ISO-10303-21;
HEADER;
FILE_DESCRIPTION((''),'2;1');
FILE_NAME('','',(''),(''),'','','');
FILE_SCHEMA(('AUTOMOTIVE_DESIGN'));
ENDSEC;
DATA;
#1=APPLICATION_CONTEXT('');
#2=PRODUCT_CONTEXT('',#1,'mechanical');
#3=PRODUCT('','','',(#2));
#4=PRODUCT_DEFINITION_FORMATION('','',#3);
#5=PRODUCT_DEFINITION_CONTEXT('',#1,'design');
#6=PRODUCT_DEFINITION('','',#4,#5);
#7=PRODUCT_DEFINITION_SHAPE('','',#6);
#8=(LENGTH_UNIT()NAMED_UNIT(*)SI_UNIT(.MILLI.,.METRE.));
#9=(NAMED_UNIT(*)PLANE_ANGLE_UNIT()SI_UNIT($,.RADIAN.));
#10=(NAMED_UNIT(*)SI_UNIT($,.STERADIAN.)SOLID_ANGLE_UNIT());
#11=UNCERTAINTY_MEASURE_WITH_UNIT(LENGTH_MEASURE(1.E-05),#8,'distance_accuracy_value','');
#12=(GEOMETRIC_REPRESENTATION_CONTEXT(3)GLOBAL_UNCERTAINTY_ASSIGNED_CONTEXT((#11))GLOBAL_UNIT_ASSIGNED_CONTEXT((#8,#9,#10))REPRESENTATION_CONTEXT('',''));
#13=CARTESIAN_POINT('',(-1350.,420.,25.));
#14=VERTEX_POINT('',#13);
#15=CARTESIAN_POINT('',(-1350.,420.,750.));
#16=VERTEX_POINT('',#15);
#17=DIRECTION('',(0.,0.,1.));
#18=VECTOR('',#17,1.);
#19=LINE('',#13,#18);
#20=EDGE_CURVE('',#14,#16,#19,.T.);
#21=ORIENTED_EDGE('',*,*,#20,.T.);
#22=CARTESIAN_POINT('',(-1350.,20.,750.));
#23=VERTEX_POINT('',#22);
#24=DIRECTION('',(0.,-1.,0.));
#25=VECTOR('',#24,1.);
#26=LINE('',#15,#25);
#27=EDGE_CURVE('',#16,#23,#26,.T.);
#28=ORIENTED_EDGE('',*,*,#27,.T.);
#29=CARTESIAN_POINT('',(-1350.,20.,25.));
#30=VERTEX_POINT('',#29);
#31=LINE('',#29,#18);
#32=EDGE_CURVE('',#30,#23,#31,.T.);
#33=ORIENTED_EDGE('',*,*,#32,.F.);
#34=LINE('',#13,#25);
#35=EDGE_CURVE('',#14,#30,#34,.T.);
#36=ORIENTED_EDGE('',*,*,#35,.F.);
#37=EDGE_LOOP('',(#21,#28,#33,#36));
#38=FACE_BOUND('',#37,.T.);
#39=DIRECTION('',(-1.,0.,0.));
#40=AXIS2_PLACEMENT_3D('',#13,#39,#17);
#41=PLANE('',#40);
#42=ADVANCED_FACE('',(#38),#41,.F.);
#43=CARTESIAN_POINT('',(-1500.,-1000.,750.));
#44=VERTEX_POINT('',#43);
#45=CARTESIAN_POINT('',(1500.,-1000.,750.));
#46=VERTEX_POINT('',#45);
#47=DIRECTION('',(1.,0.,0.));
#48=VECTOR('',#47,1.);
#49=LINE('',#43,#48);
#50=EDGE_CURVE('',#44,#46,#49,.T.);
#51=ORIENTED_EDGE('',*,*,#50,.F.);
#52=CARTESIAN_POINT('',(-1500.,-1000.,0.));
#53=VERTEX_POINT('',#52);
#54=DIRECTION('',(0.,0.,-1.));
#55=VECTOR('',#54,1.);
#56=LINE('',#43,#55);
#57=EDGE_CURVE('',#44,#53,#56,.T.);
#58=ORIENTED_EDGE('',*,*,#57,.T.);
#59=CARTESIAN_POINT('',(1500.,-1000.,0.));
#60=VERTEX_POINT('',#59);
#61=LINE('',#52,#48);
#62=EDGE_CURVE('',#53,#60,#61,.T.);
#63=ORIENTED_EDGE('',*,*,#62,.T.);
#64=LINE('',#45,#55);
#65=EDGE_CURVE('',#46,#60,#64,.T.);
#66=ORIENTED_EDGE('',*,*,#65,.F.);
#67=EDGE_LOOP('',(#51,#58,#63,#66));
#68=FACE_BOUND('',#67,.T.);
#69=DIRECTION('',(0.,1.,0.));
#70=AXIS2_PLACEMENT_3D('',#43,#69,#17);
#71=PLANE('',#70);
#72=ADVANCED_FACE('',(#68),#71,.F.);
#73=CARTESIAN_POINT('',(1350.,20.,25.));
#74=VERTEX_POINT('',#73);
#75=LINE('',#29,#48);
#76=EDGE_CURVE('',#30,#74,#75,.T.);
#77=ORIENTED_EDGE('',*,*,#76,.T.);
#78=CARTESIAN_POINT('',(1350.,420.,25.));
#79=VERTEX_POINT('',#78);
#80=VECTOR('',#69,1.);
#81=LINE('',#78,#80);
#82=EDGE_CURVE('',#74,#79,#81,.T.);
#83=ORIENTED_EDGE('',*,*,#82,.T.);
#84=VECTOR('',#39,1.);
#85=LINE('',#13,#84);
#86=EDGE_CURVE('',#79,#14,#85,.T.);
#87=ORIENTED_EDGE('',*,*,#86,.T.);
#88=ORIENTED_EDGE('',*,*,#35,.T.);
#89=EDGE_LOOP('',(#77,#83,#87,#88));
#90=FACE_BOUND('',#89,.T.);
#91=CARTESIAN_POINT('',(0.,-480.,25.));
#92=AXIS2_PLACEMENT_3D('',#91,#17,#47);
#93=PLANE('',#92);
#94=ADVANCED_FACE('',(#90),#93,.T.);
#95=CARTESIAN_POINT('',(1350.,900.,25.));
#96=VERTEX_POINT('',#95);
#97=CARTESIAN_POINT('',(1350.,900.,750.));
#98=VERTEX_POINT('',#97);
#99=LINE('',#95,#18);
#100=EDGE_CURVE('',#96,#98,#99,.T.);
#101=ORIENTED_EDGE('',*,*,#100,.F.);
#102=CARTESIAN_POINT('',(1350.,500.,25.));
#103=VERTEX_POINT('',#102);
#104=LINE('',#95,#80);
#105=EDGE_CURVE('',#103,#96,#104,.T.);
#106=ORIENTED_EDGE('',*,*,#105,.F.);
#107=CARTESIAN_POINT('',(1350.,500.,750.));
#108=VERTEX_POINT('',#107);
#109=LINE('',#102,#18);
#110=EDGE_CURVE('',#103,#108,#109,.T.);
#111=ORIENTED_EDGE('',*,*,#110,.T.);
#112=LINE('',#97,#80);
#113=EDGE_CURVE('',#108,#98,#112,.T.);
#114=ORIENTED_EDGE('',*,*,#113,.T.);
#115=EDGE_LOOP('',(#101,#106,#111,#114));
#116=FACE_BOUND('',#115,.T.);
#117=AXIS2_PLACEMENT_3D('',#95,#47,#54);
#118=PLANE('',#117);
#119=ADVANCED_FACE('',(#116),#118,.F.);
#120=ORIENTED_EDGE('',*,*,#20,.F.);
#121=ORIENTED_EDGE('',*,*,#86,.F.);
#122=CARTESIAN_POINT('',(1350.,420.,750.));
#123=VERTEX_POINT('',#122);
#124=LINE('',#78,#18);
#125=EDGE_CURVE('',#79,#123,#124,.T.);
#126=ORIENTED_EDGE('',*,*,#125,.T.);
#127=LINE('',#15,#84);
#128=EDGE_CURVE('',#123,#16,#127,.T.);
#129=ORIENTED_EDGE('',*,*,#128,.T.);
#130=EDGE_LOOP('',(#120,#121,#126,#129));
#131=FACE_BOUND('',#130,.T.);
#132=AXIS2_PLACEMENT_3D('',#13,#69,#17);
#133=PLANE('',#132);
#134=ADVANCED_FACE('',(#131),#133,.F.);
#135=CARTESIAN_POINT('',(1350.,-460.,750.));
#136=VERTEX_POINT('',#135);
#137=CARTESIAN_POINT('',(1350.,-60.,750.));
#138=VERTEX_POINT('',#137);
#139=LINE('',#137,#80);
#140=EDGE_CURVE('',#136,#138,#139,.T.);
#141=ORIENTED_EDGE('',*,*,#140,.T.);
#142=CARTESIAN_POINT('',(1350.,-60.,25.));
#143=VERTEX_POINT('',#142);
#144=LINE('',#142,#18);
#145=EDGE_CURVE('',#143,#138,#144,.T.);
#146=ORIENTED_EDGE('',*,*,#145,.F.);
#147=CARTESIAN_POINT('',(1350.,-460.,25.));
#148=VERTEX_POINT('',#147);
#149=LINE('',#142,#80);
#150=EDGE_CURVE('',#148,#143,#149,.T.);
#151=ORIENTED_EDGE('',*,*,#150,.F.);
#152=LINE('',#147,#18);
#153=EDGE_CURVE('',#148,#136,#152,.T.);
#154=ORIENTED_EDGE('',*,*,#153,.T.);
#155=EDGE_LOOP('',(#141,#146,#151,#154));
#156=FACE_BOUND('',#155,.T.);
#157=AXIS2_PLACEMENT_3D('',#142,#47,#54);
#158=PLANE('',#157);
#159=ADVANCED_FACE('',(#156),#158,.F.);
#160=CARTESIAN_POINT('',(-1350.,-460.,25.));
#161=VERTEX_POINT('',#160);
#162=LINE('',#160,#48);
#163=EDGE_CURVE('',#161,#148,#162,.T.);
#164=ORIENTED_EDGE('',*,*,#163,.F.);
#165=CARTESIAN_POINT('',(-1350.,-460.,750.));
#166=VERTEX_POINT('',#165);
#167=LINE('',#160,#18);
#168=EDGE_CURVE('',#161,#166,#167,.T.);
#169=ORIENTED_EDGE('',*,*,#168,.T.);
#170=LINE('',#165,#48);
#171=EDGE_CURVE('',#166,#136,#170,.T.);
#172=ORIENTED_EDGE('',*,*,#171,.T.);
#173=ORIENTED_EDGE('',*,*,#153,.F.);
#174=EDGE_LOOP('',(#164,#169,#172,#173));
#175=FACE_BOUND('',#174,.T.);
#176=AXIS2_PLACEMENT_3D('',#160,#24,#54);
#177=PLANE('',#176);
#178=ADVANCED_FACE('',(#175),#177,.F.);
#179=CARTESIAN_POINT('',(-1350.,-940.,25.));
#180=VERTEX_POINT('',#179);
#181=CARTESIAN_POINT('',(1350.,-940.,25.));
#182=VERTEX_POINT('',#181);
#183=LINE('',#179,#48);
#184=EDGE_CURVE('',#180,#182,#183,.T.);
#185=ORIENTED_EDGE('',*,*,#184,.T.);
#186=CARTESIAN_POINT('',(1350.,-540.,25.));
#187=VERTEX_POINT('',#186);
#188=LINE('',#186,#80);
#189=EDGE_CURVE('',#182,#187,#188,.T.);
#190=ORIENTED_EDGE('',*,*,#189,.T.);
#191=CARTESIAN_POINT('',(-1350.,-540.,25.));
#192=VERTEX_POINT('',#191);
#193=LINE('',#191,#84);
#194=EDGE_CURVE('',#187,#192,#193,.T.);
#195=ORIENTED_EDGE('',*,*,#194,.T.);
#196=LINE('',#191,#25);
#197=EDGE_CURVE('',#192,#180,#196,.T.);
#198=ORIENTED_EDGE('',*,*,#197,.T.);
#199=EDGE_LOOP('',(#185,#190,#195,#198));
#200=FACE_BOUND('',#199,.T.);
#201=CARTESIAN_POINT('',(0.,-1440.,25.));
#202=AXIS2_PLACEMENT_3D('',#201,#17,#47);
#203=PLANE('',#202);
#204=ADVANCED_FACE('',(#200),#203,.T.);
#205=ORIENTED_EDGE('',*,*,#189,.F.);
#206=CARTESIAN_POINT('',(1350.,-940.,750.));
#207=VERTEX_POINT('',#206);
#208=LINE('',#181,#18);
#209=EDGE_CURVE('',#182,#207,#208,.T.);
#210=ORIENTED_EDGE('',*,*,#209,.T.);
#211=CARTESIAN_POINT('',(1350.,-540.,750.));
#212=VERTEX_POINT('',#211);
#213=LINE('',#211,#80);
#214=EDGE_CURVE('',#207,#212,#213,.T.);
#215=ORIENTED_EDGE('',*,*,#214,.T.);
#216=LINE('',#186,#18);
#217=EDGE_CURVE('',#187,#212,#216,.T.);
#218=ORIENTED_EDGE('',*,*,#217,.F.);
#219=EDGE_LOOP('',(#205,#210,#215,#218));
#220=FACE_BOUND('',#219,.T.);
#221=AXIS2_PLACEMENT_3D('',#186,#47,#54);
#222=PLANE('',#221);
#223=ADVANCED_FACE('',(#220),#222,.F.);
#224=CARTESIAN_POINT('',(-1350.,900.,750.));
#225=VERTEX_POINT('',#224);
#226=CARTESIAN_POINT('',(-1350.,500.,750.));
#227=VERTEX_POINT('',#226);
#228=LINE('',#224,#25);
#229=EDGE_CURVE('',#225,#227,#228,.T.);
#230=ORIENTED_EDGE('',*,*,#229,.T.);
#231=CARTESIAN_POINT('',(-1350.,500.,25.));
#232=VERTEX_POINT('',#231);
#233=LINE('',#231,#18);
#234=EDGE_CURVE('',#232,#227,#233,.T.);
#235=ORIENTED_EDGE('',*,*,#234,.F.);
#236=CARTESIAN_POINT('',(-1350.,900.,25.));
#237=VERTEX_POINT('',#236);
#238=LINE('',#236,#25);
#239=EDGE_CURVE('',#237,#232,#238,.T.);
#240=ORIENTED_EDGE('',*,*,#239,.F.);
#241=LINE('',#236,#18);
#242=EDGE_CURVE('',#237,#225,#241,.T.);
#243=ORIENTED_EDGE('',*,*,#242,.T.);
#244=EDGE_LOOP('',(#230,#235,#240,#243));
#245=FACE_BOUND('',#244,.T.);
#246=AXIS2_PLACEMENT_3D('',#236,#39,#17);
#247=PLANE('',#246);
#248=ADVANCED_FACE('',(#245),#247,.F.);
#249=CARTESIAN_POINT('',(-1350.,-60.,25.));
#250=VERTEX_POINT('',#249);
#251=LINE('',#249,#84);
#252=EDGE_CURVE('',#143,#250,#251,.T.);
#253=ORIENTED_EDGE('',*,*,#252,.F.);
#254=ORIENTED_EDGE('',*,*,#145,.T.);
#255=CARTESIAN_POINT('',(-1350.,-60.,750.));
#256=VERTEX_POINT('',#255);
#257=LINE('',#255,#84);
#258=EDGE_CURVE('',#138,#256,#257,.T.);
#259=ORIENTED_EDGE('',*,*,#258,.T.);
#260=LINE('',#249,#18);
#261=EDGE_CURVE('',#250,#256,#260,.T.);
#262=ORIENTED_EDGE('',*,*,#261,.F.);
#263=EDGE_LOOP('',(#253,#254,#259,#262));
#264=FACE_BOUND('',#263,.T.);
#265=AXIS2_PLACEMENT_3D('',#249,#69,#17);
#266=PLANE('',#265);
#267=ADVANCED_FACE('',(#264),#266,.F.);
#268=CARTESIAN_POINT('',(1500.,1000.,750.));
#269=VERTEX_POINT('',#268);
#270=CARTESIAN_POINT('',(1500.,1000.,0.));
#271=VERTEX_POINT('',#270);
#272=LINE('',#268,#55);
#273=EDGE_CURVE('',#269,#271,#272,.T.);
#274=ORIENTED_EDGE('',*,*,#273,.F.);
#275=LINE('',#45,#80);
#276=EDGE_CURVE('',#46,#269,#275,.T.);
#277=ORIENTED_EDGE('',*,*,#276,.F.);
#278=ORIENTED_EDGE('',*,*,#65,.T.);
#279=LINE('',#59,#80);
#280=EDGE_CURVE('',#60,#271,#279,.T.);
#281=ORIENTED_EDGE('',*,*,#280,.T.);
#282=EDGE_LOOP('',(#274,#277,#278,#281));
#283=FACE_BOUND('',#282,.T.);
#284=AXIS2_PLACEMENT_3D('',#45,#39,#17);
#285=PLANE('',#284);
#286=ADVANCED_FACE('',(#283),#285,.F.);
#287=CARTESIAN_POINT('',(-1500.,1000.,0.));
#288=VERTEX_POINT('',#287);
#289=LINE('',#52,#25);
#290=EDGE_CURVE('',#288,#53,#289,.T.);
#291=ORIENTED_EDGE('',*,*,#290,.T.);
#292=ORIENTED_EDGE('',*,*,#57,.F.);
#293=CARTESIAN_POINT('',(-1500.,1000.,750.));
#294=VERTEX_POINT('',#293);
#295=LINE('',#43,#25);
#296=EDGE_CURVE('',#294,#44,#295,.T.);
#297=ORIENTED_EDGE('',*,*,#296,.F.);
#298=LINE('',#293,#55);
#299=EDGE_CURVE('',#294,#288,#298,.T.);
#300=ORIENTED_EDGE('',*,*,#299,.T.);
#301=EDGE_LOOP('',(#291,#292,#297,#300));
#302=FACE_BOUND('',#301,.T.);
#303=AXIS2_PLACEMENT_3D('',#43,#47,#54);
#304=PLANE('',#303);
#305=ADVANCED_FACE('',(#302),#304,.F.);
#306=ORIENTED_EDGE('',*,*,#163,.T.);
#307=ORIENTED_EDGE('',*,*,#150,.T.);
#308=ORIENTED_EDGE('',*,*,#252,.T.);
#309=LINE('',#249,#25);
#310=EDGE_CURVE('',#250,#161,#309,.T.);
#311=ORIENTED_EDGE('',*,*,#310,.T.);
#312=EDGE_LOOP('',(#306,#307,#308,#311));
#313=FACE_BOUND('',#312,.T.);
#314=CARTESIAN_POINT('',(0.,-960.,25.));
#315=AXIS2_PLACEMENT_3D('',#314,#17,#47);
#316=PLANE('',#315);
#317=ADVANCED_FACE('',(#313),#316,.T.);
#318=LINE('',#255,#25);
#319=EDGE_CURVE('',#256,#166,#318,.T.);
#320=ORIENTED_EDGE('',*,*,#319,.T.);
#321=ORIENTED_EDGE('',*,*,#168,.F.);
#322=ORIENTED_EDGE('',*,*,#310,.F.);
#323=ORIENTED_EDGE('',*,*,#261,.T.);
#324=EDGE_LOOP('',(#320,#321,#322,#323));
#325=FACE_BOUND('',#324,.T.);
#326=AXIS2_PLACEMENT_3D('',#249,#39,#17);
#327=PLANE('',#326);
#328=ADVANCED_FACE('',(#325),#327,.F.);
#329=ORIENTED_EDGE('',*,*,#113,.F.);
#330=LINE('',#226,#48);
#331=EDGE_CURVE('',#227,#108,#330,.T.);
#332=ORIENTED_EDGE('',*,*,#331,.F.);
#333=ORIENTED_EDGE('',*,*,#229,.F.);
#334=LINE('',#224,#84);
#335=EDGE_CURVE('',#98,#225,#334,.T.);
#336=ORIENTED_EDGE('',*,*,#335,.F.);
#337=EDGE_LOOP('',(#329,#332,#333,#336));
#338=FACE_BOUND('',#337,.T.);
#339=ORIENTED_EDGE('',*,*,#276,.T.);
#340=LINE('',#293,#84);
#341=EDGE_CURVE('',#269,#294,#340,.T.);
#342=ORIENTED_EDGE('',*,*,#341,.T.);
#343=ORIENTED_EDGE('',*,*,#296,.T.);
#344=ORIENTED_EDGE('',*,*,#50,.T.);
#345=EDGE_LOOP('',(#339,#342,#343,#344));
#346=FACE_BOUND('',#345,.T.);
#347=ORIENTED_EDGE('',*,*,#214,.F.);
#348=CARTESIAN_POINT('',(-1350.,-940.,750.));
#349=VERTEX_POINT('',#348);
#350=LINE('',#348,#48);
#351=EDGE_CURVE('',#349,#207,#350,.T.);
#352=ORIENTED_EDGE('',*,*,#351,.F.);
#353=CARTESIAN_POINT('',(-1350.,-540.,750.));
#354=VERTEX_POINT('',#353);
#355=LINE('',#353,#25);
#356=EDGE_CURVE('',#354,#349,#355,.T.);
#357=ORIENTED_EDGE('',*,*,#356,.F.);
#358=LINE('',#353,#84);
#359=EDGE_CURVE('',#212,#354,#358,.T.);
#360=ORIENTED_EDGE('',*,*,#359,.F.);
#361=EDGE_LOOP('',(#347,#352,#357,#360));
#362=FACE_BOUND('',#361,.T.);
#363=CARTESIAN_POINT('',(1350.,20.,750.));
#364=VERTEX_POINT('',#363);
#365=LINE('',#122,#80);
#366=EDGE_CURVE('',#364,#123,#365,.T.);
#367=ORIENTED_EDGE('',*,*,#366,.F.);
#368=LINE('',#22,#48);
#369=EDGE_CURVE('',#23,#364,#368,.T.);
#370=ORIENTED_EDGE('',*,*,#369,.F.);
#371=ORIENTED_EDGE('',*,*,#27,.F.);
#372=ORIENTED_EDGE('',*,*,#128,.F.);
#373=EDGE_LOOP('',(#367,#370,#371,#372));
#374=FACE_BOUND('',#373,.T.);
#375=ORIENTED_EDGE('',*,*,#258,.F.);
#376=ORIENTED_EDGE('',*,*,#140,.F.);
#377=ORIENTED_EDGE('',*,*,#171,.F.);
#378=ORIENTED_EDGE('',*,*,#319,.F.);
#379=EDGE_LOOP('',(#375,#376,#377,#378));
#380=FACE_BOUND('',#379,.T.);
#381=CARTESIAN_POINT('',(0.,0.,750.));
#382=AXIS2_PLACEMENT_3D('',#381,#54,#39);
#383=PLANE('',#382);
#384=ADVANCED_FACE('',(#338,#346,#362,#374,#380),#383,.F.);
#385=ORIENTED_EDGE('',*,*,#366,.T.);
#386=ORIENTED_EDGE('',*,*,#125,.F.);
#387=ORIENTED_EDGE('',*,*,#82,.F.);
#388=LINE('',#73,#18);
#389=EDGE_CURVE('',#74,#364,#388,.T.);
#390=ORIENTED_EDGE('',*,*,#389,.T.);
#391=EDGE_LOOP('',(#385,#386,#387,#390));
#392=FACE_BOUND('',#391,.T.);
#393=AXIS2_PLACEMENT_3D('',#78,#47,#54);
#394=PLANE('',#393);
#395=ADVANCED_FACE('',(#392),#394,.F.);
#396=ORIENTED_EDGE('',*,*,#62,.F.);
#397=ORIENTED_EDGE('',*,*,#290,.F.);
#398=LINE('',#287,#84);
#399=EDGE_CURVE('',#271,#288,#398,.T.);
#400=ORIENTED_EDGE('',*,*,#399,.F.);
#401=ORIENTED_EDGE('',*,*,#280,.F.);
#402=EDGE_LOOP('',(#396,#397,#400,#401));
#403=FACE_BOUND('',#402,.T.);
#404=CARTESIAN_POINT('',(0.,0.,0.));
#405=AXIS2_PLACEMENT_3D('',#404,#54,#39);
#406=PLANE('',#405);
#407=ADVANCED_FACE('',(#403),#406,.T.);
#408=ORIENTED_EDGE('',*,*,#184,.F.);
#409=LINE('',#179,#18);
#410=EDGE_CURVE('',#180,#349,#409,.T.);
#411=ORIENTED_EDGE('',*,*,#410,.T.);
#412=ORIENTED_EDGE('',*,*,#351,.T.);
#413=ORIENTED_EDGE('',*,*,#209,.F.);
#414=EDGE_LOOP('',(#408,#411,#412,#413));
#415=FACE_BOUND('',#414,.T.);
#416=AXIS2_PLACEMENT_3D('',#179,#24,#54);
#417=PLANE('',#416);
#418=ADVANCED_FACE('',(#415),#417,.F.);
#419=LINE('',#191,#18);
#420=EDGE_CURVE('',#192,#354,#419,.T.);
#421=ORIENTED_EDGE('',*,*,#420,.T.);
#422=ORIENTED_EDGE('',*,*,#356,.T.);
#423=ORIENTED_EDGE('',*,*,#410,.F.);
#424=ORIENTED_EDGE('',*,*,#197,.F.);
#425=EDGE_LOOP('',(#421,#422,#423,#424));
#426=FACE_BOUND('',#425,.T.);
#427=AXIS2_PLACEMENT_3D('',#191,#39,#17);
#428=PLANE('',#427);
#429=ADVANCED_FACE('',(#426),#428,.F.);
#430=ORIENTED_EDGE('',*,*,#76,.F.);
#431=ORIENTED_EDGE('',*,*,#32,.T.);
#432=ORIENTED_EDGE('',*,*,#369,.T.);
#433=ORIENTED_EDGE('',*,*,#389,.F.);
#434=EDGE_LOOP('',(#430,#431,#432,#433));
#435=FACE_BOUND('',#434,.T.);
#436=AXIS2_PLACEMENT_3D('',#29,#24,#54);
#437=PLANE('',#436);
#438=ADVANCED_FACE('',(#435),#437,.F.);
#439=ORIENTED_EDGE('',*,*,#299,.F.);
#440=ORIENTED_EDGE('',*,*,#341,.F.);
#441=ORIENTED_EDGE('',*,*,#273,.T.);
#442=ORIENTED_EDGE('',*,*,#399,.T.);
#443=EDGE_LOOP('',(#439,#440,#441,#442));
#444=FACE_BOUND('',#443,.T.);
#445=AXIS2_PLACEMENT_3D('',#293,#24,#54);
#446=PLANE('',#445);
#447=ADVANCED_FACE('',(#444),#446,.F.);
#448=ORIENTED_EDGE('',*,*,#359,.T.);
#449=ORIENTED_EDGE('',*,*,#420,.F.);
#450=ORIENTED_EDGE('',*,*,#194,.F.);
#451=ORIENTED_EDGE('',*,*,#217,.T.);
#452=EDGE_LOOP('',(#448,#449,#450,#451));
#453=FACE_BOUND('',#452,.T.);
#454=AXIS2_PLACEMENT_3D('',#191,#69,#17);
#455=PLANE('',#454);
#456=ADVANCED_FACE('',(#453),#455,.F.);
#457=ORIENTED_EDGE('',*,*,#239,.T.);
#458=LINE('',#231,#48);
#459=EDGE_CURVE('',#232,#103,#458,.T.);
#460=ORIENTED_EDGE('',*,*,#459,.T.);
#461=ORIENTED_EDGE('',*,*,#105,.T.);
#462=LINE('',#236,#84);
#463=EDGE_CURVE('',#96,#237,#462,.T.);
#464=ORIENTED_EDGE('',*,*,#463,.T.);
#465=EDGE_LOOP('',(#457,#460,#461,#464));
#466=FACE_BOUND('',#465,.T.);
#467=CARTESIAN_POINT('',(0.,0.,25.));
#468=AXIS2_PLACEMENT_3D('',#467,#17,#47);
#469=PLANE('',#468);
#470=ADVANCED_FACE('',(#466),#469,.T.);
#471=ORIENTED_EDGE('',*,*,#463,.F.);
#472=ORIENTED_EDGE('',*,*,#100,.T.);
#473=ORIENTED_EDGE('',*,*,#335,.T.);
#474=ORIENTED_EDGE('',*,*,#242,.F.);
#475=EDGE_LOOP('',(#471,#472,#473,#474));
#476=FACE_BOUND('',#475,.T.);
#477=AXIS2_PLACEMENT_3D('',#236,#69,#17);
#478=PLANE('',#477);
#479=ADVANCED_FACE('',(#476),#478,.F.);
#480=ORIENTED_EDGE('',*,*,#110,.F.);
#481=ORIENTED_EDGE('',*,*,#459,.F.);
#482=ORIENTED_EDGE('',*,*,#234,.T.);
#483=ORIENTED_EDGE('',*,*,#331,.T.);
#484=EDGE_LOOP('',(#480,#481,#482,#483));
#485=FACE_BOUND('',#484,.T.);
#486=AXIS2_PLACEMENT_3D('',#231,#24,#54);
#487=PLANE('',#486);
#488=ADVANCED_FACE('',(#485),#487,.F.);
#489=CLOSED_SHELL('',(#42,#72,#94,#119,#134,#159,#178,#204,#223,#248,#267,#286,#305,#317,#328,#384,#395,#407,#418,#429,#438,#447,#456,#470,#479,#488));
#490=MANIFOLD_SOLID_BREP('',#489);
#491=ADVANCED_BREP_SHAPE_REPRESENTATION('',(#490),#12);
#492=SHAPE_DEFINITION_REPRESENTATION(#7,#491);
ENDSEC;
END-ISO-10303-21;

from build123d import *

# Parameters (mm, degrees)
SKETCH1_W           = 3000
SKETCH1_H           = 2000
BOSS_EXTRUDE1_DEPTH = 750
SKETCH2_W           = 2700
SKETCH2_H           = 400
CUT_EXTRUDE1_DEPTH  = 725
LPATTERN1_COUNT     = 4
LPATTERN1_PITCH     = 480


with BuildPart() as part:
    # Sketch1 → Boss-Extrude1 (new body)
    with BuildSketch(Plane.XY):
        Rectangle(SKETCH1_W, SKETCH1_H)
    extrude(amount=BOSS_EXTRUDE1_DEPTH)

    # Sketch2 → Cut-Extrude1 (cut)
    with BuildSketch(Plane.XY.offset(750)):
        with Locations((0, 700)):
            Rectangle(SKETCH2_W, SKETCH2_H)
    cut_extrude1 = extrude(amount=-CUT_EXTRUDE1_DEPTH, mode=Mode.SUBTRACT)

    # LPattern1: Cut-Extrude1 ×4
    with Locations(*[(0, -i * LPATTERN1_PITCH, 0) for i in range(1, LPATTERN1_COUNT)]):
        add(cut_extrude1, mode=Mode.SUBTRACT)


solid = part.part
